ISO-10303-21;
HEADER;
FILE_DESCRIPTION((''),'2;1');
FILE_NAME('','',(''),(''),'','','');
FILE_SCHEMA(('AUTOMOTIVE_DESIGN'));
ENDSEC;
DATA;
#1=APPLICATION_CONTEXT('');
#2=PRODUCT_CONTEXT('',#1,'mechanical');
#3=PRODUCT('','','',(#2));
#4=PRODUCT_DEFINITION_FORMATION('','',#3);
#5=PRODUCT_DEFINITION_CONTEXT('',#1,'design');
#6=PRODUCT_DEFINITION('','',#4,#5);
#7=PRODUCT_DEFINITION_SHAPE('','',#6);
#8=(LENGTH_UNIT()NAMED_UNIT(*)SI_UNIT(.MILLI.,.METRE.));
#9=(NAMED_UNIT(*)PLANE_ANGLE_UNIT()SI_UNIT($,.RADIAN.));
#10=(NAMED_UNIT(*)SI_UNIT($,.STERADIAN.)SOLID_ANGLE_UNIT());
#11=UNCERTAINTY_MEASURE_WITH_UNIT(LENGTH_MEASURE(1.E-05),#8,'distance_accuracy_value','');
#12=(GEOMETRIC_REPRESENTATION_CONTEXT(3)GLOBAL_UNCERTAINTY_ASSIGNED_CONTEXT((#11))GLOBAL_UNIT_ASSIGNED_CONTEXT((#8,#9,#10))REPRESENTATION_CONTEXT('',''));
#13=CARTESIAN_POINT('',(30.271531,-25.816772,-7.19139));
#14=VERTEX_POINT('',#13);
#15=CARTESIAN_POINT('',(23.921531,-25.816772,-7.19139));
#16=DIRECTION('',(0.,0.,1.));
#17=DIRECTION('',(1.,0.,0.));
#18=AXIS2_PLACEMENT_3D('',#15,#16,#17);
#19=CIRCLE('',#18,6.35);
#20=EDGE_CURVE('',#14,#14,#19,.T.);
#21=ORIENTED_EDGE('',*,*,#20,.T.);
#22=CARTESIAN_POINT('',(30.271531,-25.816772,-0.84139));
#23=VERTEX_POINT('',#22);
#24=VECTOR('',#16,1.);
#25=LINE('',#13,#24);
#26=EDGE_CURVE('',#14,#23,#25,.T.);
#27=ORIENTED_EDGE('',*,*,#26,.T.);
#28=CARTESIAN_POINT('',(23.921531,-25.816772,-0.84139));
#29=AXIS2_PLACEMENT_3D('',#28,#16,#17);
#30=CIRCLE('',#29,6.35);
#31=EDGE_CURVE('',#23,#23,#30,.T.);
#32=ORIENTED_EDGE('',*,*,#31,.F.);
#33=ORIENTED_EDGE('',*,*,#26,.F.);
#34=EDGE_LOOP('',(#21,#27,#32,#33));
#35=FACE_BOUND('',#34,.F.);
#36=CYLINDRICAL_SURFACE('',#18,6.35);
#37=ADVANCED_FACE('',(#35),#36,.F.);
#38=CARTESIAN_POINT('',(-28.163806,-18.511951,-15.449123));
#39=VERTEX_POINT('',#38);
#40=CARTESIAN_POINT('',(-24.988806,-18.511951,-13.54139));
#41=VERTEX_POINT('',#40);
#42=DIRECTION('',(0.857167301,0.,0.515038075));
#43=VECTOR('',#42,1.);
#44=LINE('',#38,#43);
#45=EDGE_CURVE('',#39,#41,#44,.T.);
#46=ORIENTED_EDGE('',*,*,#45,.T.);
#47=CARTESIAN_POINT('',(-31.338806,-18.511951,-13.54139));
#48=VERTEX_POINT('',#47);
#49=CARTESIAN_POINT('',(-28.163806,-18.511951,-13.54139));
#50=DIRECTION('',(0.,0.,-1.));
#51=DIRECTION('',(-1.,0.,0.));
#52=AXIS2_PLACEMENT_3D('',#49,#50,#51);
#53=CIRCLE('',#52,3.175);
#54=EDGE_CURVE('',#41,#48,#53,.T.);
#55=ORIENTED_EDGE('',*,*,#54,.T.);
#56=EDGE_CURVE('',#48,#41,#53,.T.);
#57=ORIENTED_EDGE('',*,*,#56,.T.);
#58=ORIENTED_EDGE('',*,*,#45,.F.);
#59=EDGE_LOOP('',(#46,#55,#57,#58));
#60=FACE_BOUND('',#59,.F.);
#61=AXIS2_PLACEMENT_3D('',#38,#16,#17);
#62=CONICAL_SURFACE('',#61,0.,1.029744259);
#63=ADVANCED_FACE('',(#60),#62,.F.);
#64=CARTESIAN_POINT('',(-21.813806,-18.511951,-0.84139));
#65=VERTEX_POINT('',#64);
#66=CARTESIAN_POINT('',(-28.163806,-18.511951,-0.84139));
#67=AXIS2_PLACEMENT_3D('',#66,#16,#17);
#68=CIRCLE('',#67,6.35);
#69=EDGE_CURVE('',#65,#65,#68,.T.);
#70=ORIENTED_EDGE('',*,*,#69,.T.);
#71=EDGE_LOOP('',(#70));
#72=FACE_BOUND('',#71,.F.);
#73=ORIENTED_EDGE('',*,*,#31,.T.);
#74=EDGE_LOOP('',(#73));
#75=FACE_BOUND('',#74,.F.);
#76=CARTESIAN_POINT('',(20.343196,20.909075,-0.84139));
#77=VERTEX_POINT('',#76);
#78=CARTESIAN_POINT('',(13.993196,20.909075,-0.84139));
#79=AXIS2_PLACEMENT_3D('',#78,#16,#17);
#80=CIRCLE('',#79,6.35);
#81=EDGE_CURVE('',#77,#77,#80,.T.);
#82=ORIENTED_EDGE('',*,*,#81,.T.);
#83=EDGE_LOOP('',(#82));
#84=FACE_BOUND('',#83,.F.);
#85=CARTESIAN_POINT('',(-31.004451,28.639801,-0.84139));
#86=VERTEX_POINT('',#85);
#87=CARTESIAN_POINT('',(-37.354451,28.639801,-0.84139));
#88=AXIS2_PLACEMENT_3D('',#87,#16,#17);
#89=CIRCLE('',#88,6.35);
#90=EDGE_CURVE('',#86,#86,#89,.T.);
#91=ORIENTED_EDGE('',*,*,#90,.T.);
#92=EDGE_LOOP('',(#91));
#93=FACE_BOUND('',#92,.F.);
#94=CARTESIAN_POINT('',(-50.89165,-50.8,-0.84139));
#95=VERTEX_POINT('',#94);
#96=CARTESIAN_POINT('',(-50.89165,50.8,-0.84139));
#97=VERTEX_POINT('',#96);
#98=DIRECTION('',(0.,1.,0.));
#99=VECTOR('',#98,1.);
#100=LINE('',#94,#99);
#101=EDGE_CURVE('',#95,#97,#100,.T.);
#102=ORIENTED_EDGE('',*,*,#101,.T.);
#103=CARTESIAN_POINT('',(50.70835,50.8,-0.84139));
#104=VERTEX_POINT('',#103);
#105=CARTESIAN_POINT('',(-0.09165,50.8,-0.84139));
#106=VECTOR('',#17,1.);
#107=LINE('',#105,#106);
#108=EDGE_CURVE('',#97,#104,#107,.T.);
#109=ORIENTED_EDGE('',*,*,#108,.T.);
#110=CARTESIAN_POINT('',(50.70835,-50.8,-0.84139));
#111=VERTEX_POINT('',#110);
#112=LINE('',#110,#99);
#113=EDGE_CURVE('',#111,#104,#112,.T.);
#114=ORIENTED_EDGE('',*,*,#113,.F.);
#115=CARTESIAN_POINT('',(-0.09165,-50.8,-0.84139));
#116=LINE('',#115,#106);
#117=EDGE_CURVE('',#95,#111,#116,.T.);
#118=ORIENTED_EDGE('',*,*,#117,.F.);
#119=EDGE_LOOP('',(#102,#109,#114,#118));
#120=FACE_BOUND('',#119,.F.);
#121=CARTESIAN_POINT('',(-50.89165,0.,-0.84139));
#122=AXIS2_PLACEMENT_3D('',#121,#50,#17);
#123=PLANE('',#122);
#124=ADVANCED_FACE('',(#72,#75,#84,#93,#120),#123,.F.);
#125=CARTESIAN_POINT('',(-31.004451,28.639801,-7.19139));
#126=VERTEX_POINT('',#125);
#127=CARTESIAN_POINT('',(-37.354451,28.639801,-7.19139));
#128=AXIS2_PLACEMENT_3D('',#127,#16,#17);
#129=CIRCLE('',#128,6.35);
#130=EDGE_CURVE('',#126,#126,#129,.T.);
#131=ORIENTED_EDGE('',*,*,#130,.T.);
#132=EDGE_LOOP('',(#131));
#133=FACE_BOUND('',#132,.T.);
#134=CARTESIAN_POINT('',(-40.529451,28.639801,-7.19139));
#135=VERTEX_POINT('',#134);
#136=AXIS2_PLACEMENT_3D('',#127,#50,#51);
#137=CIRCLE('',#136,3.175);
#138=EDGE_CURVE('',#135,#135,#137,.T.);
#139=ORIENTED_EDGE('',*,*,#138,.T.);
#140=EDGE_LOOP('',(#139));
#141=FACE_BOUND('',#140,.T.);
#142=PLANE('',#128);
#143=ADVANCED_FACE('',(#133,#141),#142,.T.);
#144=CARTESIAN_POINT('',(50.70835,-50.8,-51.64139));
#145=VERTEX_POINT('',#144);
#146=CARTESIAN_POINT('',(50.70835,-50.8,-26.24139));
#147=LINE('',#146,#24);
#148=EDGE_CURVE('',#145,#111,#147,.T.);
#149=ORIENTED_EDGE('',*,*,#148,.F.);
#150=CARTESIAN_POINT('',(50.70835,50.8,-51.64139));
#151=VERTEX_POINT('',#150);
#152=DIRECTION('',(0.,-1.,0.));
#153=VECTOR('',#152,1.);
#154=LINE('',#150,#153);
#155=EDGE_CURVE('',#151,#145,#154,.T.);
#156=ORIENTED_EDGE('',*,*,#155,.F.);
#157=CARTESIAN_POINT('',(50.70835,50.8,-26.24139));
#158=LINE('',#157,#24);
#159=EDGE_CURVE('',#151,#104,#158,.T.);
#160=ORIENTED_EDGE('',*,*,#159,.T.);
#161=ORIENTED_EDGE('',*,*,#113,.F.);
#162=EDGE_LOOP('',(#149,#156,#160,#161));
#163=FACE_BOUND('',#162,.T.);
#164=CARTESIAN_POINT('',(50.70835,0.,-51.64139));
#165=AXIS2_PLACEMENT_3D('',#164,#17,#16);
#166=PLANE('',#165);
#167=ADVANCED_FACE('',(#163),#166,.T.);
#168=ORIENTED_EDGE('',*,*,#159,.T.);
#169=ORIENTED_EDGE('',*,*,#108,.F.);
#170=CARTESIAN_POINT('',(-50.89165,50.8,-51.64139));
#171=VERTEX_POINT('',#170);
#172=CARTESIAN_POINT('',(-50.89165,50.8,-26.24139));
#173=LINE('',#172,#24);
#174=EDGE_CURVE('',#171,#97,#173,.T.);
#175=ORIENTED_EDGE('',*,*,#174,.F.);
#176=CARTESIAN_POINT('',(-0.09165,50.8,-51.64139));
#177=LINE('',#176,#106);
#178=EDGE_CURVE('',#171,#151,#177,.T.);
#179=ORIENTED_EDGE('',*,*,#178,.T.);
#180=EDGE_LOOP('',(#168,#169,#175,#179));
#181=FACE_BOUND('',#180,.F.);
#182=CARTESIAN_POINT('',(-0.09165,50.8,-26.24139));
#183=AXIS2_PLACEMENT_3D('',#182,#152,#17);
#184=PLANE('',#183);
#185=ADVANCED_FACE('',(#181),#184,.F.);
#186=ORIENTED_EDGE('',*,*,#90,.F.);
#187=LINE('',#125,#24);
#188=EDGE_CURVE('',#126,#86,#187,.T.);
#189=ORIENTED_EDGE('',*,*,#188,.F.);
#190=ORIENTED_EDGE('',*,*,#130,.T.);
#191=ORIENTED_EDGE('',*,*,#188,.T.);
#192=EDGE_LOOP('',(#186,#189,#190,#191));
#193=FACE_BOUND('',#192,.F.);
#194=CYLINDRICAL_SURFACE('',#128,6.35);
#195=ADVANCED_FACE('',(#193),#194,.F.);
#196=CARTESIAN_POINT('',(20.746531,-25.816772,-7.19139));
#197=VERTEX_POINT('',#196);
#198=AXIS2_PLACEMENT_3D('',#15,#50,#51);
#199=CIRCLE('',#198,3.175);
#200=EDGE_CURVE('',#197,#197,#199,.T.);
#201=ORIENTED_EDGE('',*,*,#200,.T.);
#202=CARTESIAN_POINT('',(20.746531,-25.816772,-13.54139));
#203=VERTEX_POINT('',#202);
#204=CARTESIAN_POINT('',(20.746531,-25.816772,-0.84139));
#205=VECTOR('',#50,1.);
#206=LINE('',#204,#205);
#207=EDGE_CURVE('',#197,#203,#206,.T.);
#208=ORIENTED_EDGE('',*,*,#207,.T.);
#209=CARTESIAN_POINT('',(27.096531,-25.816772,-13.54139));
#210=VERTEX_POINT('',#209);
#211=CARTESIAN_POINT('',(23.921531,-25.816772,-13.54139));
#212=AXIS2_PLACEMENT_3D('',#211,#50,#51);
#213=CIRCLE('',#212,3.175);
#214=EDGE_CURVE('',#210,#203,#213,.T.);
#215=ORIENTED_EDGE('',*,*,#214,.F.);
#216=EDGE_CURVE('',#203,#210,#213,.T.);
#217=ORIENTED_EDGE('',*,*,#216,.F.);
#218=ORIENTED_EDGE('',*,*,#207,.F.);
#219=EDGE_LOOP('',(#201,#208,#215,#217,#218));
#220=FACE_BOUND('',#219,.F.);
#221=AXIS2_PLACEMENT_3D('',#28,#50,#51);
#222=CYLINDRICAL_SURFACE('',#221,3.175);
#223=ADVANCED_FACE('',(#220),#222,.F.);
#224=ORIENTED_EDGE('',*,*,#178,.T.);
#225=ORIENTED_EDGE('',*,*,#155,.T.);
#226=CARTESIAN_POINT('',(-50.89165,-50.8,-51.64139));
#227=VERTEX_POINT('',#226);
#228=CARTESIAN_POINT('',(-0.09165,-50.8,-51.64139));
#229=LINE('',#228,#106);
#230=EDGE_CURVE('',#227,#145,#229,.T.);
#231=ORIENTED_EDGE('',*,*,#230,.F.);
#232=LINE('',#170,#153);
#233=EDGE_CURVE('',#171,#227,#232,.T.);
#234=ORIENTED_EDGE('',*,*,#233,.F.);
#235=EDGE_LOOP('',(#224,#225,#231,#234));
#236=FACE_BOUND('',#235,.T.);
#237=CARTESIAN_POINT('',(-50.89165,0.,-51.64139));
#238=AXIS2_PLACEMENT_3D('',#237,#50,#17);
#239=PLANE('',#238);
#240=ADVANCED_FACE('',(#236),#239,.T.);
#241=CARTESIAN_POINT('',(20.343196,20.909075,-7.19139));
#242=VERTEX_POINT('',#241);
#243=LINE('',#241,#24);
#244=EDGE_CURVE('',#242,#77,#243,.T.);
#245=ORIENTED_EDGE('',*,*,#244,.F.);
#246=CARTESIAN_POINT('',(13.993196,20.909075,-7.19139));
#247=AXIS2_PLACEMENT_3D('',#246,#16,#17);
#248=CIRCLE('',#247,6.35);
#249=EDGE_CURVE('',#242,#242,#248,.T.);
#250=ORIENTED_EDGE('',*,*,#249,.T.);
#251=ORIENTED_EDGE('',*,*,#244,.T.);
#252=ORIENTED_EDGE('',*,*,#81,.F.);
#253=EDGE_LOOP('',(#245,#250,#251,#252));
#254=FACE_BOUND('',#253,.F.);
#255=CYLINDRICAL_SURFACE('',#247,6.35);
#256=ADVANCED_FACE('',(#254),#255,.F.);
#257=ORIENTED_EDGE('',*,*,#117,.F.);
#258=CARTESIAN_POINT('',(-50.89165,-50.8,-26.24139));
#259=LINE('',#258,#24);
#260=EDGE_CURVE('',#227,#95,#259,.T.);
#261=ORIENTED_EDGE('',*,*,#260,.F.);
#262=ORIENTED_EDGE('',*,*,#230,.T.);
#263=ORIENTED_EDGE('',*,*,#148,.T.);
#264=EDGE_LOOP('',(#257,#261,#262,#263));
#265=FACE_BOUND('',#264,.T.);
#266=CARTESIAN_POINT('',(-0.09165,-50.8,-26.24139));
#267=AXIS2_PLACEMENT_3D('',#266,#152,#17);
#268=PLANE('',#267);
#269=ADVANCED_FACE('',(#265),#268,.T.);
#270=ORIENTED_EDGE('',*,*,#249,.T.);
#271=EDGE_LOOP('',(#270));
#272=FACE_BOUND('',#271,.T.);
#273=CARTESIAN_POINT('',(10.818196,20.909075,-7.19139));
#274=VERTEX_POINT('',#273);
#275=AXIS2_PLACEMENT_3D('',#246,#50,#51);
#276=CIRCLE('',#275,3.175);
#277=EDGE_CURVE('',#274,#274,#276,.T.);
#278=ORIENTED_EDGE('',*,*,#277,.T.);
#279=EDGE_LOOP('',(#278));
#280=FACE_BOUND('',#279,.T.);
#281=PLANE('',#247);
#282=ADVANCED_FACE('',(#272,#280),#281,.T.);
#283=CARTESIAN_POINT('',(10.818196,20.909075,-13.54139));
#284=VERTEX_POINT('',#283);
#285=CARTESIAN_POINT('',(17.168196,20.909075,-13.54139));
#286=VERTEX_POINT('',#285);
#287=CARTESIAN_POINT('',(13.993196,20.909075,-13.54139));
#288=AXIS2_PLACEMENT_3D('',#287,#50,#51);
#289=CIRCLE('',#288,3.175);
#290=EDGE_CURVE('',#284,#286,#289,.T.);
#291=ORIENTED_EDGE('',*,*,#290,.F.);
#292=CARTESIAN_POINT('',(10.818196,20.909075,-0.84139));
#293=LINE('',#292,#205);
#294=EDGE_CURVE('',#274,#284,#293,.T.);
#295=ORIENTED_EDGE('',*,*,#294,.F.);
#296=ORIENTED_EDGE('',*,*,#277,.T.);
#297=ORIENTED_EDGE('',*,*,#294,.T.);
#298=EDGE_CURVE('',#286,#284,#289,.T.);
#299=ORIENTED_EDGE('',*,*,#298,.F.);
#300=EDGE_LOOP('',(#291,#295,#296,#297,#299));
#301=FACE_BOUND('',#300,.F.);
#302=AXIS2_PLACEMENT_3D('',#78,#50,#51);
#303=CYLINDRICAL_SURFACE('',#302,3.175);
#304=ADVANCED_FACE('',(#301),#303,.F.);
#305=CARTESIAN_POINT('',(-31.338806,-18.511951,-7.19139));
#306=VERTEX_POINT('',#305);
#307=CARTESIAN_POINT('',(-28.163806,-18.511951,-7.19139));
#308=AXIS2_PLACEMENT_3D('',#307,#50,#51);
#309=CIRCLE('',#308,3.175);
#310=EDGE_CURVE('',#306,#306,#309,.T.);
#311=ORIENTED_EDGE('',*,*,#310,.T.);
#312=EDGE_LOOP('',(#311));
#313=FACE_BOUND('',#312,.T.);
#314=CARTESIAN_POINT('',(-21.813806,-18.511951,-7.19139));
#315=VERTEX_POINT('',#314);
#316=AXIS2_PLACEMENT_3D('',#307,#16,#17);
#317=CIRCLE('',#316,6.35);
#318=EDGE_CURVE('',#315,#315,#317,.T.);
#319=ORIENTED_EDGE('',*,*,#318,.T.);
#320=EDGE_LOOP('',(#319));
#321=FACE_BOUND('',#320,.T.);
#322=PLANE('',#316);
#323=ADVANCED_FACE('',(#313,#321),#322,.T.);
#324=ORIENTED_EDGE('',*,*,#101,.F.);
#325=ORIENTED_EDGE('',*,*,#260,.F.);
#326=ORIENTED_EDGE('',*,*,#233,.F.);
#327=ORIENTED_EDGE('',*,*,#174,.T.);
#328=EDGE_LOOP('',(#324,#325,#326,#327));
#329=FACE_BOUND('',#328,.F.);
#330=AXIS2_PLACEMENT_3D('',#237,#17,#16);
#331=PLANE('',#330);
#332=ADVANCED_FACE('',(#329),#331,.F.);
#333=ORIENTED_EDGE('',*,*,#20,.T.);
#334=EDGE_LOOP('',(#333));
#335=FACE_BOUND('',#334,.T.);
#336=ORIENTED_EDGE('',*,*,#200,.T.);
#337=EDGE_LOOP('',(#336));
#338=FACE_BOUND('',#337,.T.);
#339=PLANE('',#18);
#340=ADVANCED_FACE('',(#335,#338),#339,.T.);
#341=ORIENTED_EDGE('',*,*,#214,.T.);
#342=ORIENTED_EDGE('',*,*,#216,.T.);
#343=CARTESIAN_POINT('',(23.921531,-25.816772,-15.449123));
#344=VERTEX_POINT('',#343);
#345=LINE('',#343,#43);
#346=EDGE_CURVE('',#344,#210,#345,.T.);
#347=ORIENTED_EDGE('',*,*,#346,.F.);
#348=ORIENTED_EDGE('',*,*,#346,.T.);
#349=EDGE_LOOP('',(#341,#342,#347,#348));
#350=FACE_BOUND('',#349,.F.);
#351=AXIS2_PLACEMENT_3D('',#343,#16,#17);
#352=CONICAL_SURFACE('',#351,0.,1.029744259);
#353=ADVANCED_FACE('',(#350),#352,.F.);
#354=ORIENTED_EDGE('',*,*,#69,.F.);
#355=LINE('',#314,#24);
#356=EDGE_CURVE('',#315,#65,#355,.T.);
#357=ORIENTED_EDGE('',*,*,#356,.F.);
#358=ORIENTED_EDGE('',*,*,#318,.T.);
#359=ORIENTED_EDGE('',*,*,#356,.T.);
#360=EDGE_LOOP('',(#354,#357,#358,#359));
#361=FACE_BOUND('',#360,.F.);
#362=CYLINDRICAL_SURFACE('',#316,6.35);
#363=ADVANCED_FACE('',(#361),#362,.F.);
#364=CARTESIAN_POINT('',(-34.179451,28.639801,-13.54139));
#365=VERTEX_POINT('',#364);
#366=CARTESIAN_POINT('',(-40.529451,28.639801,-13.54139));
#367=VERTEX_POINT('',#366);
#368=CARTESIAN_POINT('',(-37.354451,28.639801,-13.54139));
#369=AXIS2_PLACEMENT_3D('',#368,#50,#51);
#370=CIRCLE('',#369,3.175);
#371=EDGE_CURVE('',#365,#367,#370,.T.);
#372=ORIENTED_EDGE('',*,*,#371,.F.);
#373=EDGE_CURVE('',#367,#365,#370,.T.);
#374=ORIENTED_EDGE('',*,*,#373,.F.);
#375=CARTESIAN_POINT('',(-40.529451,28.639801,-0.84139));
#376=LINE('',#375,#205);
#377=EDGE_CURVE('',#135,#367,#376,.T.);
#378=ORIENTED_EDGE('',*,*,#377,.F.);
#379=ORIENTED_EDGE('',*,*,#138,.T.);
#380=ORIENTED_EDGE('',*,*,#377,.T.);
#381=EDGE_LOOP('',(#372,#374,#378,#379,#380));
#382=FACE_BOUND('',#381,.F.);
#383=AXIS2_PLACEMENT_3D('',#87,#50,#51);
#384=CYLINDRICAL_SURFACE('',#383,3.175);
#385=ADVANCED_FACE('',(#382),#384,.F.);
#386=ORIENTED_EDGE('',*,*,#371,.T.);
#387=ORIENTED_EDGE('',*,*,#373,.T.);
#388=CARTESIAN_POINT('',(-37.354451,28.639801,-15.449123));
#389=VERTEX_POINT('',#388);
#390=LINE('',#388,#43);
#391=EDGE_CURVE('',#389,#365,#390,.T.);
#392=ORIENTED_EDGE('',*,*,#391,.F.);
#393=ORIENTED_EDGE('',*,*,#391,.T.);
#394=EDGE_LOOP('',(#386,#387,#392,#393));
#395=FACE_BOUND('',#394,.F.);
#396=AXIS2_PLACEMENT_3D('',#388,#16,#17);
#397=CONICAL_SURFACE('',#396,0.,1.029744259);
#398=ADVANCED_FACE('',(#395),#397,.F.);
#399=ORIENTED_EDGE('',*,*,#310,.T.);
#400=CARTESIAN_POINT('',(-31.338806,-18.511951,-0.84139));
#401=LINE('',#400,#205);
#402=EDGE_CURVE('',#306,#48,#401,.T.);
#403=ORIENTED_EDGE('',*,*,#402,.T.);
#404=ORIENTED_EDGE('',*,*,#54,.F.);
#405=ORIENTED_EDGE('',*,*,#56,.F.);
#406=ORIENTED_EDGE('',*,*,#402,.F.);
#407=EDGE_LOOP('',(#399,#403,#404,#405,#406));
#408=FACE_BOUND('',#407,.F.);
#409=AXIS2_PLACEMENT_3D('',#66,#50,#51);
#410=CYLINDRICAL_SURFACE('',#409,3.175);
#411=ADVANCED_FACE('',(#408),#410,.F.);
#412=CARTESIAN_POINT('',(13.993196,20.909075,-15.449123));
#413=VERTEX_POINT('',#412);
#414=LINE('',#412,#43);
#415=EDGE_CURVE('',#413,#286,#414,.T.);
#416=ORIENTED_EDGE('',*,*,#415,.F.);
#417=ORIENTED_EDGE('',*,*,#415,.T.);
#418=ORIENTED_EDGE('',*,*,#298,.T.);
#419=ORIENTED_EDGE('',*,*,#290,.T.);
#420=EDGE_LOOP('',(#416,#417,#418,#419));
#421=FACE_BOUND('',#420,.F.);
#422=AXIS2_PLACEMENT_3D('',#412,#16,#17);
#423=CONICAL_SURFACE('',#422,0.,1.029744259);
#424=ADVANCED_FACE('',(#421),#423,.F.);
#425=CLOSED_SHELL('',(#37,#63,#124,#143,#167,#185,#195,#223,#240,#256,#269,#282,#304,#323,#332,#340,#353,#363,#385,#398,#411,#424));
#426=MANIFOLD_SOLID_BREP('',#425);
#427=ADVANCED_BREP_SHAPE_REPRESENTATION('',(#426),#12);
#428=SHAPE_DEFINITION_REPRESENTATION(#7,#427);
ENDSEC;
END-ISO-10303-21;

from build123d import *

# Parameters (mm, degrees)
F0_W           = 101.6
F0_H           = 50.8
F1_DEPTH       = 50.8
F3_D           = 6.35
F3_DEPTH       = 12.7
F3_CBORE_D     = 12.7
F3_CBORE_DEPTH = 6.35
F3_TIP         = 1.9077324654


with BuildPart() as f1:
    # F0 (on Front) → F1 (new body, symmetric)
    with BuildSketch(Plane.XZ):
        with Locations((-0.0916495919, -26.241390319)):
            Rectangle(F0_W, F0_H)
    extrude(amount=F1_DEPTH, both=True)

    # F3
    with Locations(Plane.XY.offset(-0.841390319)):
        with Locations((-37.3544506729, 28.6398008466), (13.9931961894, 20.9090746939), (23.9215306938, -25.8167721331), (-28.163805604, -18.5119509697)):
            CounterBoreHole(F3_D / 2, F3_CBORE_D / 2, F3_CBORE_DEPTH, depth=F3_DEPTH)
            with Locations((0, 0, -(F3_DEPTH + F3_TIP / 2))):  # 118° drill point
                Cone(0, F3_D / 2, F3_TIP, mode=Mode.SUBTRACT)


solid = f1.part
